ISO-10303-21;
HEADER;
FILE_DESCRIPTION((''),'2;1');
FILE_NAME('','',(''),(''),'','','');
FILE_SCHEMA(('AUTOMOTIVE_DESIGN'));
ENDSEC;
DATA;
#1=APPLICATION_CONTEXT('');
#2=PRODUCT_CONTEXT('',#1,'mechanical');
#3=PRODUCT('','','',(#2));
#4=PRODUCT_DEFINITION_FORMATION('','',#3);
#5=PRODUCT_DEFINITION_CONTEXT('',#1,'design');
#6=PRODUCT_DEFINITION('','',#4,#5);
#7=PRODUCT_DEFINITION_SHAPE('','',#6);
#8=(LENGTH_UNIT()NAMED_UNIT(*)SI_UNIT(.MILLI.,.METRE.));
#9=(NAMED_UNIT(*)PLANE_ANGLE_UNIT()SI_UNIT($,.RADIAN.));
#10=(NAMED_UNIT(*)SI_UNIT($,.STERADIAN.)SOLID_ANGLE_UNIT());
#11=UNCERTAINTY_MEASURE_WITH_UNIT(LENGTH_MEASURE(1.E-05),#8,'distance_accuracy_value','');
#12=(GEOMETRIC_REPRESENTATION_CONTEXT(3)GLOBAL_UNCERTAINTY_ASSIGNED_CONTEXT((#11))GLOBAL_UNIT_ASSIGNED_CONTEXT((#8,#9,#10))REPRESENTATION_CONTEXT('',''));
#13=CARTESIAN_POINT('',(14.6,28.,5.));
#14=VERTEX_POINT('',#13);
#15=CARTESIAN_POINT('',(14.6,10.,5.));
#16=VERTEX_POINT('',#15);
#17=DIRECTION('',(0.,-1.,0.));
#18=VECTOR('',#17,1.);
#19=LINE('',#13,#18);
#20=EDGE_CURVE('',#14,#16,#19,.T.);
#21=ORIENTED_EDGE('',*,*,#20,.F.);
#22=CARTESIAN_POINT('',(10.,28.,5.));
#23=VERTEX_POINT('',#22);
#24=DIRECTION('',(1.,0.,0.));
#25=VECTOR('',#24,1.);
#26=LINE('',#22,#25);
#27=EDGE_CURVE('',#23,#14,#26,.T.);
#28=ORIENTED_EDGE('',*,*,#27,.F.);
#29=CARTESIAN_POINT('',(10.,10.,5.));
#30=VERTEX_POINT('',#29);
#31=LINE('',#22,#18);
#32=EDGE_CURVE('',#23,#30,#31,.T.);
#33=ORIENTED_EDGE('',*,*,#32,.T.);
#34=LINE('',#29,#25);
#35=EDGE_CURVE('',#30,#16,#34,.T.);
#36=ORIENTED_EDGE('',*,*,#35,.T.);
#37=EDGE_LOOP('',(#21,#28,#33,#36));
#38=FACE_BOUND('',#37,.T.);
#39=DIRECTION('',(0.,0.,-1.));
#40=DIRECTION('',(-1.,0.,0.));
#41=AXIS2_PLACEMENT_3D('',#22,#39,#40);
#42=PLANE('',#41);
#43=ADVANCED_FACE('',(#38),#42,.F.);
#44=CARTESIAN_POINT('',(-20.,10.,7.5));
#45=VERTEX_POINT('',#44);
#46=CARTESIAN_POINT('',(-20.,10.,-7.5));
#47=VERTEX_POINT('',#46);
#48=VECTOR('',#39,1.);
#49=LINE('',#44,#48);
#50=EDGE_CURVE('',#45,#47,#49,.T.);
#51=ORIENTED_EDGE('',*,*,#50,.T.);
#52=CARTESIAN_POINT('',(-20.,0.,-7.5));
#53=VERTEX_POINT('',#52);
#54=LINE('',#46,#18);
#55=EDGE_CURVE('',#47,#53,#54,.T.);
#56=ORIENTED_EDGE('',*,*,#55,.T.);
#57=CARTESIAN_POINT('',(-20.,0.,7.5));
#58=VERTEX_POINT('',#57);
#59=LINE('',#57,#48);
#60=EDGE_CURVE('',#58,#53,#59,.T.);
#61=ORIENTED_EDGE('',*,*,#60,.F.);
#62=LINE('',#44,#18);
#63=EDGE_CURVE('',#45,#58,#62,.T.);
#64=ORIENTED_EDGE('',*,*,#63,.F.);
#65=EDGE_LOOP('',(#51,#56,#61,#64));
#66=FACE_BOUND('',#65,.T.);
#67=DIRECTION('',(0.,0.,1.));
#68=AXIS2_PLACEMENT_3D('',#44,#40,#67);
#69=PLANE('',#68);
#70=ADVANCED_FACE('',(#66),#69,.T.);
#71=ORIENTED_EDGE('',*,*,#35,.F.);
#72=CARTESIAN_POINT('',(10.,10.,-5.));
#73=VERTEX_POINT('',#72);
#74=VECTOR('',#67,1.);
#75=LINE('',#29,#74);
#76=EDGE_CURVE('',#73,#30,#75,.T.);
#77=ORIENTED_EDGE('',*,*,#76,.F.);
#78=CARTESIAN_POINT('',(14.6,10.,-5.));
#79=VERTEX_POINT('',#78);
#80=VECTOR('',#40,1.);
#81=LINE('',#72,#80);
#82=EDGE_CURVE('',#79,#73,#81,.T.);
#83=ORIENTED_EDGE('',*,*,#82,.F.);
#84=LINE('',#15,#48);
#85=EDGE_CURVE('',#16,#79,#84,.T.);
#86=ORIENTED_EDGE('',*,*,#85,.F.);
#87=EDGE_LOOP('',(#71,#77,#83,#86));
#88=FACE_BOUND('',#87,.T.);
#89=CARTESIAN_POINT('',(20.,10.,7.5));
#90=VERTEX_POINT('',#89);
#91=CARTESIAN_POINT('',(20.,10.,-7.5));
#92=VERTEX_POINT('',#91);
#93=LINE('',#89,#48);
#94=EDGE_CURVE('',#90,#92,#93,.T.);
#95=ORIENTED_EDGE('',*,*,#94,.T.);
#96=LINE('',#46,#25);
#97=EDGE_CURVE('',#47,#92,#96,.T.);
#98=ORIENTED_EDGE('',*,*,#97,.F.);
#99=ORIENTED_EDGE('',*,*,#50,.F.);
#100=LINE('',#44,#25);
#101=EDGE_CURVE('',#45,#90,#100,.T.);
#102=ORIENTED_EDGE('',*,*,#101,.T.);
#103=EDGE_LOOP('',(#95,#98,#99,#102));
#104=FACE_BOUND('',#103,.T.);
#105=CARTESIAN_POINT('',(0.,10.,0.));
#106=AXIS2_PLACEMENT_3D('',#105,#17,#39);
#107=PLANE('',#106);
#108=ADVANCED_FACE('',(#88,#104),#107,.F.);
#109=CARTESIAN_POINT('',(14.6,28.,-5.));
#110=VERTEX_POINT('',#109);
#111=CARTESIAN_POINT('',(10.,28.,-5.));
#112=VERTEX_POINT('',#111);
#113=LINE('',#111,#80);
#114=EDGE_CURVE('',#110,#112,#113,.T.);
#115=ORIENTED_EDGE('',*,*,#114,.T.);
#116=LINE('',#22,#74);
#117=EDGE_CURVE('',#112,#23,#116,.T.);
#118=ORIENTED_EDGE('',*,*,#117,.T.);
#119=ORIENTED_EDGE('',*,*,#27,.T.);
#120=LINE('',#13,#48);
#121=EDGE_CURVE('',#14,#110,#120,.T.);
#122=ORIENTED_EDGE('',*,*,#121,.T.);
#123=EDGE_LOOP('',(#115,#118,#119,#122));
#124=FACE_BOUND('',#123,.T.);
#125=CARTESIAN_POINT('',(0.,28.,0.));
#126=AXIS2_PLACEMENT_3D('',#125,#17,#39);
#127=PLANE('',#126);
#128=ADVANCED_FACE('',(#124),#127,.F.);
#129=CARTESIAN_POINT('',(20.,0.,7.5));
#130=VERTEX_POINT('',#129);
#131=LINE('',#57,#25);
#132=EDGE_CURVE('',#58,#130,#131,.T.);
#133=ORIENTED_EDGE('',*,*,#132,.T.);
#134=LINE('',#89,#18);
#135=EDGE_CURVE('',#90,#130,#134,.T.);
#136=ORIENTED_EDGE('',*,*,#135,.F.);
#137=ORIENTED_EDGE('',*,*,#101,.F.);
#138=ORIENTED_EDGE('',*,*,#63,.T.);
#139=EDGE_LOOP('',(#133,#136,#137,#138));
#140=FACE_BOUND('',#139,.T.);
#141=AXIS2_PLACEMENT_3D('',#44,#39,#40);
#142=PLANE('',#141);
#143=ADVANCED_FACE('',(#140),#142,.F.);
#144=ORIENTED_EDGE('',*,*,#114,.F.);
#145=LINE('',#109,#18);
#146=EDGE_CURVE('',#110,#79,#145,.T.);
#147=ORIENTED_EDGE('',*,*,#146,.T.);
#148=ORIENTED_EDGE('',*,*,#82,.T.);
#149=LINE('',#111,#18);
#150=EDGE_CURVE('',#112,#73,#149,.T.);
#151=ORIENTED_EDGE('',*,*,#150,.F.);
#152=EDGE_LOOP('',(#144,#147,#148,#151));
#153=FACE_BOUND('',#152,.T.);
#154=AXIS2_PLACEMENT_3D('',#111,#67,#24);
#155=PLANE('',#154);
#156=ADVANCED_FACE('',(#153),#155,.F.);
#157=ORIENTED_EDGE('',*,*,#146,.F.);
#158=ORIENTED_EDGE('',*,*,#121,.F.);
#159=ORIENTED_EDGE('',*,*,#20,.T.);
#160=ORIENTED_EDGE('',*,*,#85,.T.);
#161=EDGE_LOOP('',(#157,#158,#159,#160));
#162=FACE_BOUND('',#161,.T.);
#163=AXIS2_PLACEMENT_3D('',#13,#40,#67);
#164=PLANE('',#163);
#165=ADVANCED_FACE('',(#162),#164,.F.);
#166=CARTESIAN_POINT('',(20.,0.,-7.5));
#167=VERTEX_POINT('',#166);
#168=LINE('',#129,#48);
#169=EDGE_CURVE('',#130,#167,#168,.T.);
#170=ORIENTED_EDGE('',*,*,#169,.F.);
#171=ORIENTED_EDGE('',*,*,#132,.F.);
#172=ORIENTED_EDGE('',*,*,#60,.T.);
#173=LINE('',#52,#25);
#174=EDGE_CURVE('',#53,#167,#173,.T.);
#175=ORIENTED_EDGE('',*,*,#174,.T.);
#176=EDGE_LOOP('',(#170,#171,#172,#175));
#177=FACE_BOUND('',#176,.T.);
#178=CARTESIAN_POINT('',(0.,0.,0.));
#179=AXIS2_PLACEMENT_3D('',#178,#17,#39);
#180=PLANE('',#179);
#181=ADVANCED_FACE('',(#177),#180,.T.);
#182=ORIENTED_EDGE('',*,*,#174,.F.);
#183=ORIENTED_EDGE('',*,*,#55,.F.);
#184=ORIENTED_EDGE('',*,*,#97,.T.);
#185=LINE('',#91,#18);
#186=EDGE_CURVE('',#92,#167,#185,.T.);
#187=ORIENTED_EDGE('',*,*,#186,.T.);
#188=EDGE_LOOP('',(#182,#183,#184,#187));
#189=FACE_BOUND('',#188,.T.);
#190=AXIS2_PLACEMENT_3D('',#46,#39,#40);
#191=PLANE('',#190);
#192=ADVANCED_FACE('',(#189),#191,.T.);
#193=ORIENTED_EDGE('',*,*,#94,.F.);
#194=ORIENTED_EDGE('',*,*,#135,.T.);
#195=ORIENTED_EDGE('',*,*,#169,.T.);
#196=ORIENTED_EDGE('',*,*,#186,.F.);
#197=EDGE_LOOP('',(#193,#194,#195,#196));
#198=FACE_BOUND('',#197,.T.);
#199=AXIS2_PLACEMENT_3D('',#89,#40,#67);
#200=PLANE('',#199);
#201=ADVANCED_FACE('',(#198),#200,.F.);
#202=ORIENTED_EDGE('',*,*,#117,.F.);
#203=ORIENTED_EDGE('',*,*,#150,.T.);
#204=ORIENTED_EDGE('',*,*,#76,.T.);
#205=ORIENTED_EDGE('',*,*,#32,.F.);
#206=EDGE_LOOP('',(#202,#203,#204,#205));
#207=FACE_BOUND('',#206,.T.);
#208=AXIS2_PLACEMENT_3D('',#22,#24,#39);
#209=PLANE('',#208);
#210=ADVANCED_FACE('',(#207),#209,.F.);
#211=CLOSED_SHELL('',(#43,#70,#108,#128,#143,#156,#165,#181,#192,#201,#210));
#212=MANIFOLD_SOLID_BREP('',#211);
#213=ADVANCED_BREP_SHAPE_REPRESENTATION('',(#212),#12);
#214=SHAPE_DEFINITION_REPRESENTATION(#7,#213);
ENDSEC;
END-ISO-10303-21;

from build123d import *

# Parameters (mm, degrees)
SKETCH1_W           = 40
SKETCH1_H           = 15
BOSS_EXTRUDE1_DEPTH = 10
SKETCH2_W           = 4.6
SKETCH2_H           = 10
BOSS_EXTRUDE2_DEPTH = 18


with BuildPart() as part:
    # Sketch1 → Boss-Extrude1 (new body)
    with BuildSketch(Plane(origin=(0, 0, 0), x_dir=(1, 0, 0), z_dir=(0, 1, 0))):
        Rectangle(SKETCH1_W, SKETCH1_H)
    extrude(amount=BOSS_EXTRUDE1_DEPTH)

    # Sketch2 → Boss-Extrude2 (add)
    with BuildSketch(Plane(origin=(0, 10, 0), x_dir=(1, 0, 0), z_dir=(0, 1, 0))):
        with Locations((12.3, 0)):
            Rectangle(SKETCH2_W, SKETCH2_H)
    extrude(amount=BOSS_EXTRUDE2_DEPTH)


solid = part.part
